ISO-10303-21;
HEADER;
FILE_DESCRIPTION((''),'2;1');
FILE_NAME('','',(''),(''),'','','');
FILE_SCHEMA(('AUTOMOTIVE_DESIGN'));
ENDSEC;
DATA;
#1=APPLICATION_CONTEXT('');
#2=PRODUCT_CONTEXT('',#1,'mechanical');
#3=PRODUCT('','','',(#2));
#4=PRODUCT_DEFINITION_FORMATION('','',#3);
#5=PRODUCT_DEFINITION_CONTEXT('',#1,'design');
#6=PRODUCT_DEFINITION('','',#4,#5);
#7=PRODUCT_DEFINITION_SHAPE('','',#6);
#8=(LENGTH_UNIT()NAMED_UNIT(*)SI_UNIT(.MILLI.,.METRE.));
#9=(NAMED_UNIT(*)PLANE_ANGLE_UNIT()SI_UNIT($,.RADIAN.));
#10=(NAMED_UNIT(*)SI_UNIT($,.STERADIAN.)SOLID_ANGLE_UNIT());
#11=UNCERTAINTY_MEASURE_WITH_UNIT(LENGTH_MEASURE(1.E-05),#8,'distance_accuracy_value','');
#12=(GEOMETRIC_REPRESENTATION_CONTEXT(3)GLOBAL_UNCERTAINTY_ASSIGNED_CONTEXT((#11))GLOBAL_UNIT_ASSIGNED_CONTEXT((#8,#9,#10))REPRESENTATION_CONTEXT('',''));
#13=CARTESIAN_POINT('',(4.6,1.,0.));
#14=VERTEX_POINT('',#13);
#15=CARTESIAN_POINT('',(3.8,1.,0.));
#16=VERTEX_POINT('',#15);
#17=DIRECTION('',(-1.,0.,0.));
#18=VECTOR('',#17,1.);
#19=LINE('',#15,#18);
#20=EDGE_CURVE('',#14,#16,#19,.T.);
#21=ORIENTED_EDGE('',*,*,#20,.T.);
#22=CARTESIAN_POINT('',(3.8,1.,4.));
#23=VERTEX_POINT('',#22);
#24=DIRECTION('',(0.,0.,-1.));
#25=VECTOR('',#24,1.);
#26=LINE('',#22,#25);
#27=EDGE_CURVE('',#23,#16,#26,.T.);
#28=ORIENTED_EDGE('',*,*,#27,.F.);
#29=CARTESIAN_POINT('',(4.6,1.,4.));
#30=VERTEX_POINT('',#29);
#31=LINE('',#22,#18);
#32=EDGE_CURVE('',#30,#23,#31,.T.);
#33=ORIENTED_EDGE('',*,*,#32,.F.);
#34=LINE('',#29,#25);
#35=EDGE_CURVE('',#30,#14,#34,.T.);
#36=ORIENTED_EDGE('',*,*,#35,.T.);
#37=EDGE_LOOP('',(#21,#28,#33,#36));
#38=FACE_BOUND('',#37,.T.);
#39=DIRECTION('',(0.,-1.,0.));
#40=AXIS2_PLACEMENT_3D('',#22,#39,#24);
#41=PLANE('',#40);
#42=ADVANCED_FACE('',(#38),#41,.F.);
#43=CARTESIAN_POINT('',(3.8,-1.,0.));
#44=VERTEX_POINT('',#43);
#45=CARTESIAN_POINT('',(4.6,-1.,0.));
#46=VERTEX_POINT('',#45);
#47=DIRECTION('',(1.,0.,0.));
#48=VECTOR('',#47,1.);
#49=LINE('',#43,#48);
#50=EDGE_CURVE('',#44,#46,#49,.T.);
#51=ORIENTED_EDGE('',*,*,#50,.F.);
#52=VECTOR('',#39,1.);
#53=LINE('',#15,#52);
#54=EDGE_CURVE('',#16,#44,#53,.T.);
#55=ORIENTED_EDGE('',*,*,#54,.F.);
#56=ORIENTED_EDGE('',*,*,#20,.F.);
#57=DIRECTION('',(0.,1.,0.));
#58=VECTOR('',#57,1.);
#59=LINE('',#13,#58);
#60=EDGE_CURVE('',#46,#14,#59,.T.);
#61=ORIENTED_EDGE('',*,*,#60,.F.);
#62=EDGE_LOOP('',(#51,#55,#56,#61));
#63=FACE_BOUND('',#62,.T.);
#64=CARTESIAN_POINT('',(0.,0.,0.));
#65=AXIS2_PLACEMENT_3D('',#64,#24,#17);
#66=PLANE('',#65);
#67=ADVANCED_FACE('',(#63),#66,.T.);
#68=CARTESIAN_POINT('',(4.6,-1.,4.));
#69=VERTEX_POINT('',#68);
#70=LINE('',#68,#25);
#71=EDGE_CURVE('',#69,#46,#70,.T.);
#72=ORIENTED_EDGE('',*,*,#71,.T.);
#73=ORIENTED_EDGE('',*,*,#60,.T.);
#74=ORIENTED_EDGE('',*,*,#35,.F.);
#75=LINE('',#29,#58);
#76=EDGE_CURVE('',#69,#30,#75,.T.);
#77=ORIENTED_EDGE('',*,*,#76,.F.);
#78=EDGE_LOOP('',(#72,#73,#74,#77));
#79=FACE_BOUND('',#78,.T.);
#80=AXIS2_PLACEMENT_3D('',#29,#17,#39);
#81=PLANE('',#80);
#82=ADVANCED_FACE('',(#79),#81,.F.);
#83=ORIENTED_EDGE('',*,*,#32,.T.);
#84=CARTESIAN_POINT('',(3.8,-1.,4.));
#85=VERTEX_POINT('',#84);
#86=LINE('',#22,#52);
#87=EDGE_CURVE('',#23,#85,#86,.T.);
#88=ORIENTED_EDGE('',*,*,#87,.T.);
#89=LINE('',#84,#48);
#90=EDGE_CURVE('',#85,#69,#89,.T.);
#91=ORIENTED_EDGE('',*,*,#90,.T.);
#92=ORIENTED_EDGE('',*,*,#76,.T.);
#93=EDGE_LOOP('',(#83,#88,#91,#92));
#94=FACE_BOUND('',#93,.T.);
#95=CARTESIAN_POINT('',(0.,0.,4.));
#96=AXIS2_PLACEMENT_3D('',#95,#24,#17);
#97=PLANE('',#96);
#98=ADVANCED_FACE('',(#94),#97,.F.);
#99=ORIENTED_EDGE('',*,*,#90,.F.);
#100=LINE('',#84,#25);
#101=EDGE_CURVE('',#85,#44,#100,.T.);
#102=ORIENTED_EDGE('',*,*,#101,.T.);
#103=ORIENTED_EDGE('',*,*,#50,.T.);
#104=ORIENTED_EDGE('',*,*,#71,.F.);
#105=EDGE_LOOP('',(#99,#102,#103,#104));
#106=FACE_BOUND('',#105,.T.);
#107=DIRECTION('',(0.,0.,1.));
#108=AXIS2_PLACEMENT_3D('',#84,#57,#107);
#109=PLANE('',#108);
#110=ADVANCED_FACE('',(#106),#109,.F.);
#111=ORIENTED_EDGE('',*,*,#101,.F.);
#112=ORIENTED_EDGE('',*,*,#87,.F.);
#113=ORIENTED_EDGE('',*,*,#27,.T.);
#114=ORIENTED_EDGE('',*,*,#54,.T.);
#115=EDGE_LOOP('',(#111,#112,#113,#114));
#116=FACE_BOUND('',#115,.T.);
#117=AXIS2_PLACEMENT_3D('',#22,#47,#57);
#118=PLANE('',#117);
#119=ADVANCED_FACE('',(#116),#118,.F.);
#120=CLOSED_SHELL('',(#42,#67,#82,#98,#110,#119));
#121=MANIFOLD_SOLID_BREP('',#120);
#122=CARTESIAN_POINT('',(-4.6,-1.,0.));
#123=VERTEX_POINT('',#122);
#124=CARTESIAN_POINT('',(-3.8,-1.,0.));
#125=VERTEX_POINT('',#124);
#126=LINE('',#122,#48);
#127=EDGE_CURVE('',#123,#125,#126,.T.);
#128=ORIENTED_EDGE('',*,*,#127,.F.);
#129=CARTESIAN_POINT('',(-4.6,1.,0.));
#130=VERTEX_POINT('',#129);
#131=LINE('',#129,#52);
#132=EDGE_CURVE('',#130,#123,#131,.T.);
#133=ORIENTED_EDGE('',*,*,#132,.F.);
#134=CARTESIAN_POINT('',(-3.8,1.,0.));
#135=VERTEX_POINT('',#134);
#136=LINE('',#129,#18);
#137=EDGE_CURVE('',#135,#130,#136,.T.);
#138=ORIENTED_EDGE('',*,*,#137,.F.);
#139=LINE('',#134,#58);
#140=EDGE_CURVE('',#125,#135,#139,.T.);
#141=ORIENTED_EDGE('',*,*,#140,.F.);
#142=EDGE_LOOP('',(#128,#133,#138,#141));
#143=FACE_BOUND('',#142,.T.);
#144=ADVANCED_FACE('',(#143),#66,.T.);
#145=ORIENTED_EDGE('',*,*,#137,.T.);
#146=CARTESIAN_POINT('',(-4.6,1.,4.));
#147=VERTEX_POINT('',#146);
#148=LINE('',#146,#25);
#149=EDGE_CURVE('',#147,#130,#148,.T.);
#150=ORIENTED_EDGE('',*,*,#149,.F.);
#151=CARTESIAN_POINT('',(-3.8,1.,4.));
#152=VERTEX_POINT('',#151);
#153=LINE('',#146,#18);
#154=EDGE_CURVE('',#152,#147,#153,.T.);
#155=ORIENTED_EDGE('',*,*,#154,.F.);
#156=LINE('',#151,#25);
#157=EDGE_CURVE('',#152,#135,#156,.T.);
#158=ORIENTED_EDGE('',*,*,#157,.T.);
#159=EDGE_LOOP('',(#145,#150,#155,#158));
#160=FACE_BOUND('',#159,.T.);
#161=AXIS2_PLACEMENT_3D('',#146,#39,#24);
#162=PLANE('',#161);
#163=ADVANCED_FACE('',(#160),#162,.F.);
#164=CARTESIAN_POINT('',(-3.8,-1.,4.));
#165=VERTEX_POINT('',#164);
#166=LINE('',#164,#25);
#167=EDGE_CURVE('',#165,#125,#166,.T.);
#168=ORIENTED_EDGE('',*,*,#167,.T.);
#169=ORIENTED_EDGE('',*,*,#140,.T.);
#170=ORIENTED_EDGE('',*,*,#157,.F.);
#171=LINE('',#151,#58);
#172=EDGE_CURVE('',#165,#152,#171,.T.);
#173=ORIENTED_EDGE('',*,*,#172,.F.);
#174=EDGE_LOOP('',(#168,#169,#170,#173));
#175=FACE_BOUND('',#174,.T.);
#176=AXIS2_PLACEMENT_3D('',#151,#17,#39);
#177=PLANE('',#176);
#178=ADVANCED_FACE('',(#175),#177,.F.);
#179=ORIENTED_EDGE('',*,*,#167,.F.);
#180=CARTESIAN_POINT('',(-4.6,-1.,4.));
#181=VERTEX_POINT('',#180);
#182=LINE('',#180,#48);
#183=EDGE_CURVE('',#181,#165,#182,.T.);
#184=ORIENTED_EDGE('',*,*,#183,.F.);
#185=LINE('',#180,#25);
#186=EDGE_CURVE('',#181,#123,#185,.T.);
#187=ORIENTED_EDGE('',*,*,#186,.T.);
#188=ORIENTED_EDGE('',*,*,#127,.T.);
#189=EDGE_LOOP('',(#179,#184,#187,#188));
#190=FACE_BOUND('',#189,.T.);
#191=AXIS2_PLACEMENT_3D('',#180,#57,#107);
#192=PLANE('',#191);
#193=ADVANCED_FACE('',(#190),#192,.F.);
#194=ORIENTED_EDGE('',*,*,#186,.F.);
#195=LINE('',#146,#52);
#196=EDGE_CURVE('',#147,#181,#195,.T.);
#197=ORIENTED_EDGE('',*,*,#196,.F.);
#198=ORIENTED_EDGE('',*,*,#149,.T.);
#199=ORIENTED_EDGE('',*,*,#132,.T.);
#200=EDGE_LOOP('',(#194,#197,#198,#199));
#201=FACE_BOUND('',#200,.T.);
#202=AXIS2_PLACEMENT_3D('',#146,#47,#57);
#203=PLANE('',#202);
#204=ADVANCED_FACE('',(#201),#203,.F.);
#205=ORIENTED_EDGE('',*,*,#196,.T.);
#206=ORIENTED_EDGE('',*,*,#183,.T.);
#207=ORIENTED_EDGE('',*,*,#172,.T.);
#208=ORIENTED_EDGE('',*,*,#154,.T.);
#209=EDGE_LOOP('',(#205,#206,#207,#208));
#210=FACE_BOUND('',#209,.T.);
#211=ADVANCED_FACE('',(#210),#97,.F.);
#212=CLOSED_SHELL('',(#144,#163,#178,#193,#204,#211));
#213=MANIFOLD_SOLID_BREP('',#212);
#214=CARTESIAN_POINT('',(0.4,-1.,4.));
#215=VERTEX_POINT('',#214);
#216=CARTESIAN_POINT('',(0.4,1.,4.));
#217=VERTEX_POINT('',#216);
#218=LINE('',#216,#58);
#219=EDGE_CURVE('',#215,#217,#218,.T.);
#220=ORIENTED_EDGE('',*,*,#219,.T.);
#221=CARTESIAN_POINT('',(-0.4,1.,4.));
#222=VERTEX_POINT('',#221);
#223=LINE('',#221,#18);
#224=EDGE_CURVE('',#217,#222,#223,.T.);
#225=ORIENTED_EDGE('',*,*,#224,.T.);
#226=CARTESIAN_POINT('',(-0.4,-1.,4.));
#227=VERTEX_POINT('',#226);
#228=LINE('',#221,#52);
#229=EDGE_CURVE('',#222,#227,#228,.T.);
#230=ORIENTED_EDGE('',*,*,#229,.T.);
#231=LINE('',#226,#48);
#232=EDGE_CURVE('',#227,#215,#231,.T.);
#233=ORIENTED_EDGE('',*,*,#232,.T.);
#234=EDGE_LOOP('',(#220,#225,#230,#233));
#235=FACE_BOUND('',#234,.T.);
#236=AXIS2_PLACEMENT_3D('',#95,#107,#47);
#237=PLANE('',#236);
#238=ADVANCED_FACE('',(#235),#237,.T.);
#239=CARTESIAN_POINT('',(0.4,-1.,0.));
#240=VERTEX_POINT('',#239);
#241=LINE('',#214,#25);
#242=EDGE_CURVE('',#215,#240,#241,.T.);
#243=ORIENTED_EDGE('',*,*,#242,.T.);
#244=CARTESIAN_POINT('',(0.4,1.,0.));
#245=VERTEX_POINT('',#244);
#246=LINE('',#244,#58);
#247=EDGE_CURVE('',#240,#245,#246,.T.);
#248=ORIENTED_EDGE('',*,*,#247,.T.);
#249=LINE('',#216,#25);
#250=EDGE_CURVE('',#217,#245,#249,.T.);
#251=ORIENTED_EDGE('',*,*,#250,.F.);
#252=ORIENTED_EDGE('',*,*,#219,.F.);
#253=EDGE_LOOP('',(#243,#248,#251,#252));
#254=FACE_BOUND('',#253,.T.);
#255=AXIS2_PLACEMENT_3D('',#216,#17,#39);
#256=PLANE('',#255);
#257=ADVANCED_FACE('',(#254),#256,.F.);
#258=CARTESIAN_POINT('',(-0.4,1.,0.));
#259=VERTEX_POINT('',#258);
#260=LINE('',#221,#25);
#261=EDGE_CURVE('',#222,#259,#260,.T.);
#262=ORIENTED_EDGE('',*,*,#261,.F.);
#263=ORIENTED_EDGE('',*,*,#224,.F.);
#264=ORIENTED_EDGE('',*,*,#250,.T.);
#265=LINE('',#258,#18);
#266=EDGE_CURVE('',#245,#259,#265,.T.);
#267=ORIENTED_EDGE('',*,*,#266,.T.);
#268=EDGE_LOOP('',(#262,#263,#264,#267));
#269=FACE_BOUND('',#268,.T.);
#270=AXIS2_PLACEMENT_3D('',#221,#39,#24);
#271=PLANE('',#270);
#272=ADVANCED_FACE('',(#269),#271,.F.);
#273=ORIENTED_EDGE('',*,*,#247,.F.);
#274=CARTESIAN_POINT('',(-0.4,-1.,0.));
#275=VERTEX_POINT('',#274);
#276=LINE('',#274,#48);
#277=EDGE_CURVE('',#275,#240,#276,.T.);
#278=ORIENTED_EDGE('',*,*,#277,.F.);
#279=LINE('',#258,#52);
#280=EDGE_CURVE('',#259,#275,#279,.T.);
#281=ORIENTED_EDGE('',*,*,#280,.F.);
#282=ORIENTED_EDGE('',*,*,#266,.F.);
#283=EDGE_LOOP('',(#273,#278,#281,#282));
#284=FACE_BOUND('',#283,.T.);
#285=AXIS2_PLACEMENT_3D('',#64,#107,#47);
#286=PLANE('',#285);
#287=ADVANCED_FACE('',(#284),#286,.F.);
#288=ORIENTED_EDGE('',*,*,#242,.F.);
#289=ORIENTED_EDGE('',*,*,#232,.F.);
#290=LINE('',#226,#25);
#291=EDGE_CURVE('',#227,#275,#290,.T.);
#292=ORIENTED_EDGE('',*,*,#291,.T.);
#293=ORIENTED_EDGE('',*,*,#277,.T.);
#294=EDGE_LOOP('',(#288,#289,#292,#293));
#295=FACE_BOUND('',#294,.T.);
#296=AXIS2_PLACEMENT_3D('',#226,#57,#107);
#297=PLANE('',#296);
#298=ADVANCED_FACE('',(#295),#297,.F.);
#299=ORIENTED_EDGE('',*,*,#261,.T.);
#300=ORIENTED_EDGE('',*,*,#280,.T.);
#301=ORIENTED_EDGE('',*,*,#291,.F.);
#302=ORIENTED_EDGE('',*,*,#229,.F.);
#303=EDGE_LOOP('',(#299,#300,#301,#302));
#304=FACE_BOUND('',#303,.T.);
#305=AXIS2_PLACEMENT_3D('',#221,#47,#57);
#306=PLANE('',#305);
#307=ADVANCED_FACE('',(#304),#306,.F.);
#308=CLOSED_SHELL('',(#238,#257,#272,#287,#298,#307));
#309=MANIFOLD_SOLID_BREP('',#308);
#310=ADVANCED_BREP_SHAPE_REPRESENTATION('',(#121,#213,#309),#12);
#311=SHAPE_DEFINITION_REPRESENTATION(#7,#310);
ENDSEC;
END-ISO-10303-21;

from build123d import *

# Parameters (mm, degrees)
SKETCH1_W             = 0.8
SKETCH1_H             = 2
BOSS_EXTRUDE1_DEPTH   = 4
BOSS_EXTRUDE1_2_DEPTH = 4
BOSS_EXTRUDE1_3_DEPTH = 4


with BuildPart() as part:
    # Sketch1 → Boss-Extrude1 (new body)
    with BuildSketch(Plane.XY):
        with Locations((4.2, 0)):
            Rectangle(SKETCH1_W, SKETCH1_H)
    extrude(amount=BOSS_EXTRUDE1_DEPTH)


with BuildPart() as body_2:
    # Sketch1 → Boss-Extrude1 2 (new body)
    with BuildSketch(Plane.XY):
        Rectangle(SKETCH1_W, SKETCH1_H)
    extrude(amount=BOSS_EXTRUDE1_2_DEPTH)


with BuildPart() as body_3:
    # Sketch1 → Boss-Extrude1 3 (new body)
    with BuildSketch(Plane.XY):
        with Locations((-4.2, 0)):
            Rectangle(SKETCH1_W, SKETCH1_H)
    extrude(amount=BOSS_EXTRUDE1_3_DEPTH)


solid = Compound([part.part, body_2.part, body_3.part])
